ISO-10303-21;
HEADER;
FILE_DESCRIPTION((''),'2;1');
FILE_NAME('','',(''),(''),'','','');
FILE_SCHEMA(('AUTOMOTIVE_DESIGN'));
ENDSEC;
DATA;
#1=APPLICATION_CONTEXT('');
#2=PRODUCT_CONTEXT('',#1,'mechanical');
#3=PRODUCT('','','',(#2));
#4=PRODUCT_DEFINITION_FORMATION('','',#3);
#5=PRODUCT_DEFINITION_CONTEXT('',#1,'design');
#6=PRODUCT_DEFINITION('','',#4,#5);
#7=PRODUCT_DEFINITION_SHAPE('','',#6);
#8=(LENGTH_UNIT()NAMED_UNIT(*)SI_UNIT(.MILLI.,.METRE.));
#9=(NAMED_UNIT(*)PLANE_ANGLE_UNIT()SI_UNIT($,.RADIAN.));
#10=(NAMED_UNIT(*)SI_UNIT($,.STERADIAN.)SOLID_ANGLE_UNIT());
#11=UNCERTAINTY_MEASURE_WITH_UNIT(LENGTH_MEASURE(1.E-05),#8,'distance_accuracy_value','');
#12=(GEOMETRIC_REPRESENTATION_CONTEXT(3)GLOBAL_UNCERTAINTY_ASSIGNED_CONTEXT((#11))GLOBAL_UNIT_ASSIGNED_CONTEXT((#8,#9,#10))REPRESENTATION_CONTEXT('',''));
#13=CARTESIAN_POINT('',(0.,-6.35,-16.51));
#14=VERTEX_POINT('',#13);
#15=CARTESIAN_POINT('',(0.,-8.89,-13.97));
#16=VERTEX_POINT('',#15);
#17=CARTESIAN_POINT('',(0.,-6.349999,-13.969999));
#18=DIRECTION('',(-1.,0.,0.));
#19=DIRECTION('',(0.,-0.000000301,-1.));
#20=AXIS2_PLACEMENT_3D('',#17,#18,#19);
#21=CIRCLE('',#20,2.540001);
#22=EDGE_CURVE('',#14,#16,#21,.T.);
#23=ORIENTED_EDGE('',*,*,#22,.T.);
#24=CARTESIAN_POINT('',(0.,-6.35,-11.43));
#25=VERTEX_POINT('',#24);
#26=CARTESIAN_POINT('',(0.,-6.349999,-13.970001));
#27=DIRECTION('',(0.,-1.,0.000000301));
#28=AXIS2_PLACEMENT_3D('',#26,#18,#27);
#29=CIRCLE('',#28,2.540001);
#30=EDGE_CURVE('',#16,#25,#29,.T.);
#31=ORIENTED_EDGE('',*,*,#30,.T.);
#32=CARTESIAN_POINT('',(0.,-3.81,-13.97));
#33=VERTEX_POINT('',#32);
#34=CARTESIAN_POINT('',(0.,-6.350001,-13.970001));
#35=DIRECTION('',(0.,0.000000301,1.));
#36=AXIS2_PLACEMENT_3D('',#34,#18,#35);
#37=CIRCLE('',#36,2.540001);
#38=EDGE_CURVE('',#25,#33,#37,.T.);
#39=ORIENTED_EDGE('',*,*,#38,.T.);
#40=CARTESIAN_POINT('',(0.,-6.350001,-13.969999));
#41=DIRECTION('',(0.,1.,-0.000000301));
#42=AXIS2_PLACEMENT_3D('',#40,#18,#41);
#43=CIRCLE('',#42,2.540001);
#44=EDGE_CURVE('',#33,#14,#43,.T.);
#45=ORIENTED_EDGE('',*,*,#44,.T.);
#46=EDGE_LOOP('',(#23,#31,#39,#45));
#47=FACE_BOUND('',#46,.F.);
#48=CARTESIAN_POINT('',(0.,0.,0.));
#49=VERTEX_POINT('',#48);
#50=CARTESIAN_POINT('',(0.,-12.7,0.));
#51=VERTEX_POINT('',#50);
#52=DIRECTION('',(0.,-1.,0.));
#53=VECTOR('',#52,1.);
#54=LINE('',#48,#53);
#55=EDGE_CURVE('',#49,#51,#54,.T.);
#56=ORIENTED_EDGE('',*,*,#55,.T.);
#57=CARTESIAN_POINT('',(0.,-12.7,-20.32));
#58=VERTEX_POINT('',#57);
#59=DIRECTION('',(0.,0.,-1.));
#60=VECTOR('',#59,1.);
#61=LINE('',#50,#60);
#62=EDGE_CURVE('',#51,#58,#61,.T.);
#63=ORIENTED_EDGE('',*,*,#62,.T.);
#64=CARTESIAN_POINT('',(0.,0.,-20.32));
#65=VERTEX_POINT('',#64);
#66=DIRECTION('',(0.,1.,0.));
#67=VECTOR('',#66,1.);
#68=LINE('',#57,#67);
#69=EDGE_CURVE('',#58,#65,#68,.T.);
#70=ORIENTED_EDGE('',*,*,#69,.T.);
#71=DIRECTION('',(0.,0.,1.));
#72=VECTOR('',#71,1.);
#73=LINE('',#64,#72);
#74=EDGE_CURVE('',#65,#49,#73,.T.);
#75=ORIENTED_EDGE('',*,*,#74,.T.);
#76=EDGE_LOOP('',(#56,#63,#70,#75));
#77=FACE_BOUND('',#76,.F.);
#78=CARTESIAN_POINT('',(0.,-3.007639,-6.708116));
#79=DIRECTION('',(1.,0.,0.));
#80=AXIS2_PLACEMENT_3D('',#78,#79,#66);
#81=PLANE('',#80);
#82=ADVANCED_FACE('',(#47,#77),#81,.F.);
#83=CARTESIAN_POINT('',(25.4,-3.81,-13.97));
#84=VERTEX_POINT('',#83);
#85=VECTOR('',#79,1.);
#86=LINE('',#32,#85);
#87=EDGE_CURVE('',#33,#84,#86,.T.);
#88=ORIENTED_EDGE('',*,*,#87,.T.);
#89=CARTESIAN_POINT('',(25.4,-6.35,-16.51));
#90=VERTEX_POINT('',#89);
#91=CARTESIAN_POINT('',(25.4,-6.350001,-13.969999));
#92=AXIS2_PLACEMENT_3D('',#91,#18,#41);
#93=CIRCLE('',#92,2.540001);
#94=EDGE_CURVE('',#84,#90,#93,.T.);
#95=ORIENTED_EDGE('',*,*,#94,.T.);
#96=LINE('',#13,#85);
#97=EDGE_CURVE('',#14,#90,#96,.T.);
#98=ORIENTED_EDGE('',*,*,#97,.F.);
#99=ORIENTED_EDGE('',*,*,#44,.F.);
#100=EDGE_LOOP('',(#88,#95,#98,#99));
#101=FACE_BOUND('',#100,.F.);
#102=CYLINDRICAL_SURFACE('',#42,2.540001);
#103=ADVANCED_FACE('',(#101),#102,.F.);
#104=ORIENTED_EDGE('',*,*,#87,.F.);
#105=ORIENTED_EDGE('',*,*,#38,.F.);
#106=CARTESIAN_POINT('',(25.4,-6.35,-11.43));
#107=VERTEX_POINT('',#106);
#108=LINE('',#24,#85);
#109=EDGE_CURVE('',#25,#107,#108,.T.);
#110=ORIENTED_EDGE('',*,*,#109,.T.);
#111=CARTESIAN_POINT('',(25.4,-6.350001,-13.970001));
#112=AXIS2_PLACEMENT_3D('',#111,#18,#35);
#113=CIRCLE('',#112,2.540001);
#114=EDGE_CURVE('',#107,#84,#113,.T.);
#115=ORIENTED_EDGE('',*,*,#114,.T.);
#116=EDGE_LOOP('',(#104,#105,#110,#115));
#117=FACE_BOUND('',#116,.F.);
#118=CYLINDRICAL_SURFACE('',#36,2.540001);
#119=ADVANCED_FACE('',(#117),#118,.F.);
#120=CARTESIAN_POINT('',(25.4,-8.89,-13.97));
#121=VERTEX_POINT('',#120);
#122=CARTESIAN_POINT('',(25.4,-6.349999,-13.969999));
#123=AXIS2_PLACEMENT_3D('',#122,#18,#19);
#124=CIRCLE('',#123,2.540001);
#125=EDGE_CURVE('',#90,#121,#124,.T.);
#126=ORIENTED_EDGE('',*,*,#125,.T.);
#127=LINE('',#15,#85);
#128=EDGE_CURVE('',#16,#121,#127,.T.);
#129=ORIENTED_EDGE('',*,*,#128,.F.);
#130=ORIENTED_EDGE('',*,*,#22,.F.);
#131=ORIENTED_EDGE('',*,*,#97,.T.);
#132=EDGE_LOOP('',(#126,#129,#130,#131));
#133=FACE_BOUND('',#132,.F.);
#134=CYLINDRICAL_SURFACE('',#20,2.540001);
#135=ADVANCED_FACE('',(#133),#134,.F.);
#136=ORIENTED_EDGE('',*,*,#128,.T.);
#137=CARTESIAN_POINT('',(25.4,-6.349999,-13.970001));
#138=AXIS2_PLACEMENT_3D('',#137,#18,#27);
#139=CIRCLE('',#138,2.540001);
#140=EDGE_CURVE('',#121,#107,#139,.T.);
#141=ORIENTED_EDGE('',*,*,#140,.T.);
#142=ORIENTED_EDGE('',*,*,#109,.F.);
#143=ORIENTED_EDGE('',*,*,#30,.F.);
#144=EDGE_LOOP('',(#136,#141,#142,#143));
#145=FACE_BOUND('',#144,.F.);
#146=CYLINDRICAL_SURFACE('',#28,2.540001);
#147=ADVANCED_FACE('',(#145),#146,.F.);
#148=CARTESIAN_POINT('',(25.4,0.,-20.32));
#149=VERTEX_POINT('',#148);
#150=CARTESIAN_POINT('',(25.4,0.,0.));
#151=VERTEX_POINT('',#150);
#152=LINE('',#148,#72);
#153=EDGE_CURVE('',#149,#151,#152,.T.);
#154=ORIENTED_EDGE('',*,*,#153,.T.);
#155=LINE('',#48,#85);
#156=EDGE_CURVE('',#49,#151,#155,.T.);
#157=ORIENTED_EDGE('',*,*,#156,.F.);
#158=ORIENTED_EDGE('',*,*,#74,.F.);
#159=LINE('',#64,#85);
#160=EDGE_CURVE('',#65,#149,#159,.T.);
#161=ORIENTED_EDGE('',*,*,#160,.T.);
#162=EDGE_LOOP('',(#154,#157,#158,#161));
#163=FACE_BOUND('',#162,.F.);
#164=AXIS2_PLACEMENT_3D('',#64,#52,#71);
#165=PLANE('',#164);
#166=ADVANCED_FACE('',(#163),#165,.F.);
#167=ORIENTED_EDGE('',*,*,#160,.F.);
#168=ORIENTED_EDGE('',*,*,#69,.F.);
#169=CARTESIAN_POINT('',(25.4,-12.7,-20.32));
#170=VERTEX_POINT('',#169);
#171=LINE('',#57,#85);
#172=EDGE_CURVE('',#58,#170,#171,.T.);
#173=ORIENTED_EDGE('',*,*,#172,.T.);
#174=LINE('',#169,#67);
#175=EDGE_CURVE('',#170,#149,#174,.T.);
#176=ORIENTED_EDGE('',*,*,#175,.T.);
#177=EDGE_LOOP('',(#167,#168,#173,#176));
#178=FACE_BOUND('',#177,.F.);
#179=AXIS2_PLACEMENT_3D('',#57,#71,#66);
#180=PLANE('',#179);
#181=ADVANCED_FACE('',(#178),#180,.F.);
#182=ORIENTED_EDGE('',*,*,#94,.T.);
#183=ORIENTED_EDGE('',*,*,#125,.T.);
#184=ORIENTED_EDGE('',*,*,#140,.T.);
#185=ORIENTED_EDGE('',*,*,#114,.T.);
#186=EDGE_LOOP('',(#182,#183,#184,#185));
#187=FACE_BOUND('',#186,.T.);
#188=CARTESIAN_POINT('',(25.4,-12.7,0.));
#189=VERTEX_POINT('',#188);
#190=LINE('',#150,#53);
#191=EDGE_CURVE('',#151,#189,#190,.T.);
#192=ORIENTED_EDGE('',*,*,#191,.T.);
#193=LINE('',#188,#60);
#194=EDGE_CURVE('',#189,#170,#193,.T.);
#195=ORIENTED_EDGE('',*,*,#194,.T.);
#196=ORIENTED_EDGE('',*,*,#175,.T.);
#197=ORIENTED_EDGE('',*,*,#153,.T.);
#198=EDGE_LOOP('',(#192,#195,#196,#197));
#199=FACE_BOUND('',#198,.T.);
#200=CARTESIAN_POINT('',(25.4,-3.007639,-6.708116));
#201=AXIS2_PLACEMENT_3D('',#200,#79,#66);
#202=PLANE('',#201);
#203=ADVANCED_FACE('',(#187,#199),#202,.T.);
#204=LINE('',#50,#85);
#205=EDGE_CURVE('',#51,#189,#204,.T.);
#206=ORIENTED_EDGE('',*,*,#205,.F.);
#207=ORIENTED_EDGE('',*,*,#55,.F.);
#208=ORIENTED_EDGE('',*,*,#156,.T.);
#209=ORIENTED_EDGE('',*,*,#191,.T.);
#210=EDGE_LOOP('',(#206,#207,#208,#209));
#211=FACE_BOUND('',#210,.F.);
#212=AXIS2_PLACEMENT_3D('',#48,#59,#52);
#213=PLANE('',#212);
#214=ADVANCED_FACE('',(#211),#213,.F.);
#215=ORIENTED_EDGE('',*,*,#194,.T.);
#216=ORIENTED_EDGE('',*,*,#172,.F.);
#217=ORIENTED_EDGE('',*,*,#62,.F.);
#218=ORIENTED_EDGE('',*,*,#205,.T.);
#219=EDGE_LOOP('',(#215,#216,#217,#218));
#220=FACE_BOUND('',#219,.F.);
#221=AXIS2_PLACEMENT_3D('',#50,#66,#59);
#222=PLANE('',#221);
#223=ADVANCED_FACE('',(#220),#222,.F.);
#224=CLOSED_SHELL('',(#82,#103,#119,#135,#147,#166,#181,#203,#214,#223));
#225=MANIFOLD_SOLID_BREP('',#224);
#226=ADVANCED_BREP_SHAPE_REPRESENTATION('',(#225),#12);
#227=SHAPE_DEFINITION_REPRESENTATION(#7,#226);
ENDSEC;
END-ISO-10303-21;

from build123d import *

# Parameters (mm, degrees)
F1_DEPTH = 25.4


with BuildPart() as f1:
    # F0 (on Right) → F1 (new body)
    with BuildSketch(Plane.YZ):
        with BuildLine():
            Line((0, -13.97), (0, 0))
            Line((0, 0), (-6.35, 0))
            Line((-6.35, 0), (-6.35, -11.43))
            ThreePointArc((-6.35, -11.43), (-4.553949, -12.173949), (-3.81, -13.97))
            Line((-3.81, -13.97), (0, -13.97))
        make_face()
        with BuildLine():
            Line((-6.35, -11.43), (-6.35, 0))
            Line((-6.35, 0), (-12.7, 0))
            Line((-12.7, 0), (-12.7, -13.97))
            Line((-12.7, -13.97), (-8.89, -13.97))
            ThreePointArc((-8.89, -13.97), (-8.146051, -12.173949), (-6.35, -11.43))
        make_face()
        with BuildLine():
            Line((-8.89, -13.97), (-12.7, -13.97))
            Line((-12.7, -13.97), (-12.7, -20.32))
            Line((-12.7, -20.32), (-6.35, -20.32))
            Line((-6.35, -20.32), (-6.35, -16.51))
            ThreePointArc((-6.35, -16.51), (-8.146051, -15.766051), (-8.89, -13.97))
        make_face()
        with BuildLine():
            Line((0, -20.32), (0, -13.97))
            Line((0, -13.97), (-3.81, -13.97))
            ThreePointArc((-3.81, -13.97), (-4.553949, -15.766051), (-6.35, -16.51))
            Line((-6.35, -16.51), (-6.35, -20.32))
            Line((-6.35, -20.32), (0, -20.32))
        make_face()
    extrude(amount=F1_DEPTH)


solid = f1.part
